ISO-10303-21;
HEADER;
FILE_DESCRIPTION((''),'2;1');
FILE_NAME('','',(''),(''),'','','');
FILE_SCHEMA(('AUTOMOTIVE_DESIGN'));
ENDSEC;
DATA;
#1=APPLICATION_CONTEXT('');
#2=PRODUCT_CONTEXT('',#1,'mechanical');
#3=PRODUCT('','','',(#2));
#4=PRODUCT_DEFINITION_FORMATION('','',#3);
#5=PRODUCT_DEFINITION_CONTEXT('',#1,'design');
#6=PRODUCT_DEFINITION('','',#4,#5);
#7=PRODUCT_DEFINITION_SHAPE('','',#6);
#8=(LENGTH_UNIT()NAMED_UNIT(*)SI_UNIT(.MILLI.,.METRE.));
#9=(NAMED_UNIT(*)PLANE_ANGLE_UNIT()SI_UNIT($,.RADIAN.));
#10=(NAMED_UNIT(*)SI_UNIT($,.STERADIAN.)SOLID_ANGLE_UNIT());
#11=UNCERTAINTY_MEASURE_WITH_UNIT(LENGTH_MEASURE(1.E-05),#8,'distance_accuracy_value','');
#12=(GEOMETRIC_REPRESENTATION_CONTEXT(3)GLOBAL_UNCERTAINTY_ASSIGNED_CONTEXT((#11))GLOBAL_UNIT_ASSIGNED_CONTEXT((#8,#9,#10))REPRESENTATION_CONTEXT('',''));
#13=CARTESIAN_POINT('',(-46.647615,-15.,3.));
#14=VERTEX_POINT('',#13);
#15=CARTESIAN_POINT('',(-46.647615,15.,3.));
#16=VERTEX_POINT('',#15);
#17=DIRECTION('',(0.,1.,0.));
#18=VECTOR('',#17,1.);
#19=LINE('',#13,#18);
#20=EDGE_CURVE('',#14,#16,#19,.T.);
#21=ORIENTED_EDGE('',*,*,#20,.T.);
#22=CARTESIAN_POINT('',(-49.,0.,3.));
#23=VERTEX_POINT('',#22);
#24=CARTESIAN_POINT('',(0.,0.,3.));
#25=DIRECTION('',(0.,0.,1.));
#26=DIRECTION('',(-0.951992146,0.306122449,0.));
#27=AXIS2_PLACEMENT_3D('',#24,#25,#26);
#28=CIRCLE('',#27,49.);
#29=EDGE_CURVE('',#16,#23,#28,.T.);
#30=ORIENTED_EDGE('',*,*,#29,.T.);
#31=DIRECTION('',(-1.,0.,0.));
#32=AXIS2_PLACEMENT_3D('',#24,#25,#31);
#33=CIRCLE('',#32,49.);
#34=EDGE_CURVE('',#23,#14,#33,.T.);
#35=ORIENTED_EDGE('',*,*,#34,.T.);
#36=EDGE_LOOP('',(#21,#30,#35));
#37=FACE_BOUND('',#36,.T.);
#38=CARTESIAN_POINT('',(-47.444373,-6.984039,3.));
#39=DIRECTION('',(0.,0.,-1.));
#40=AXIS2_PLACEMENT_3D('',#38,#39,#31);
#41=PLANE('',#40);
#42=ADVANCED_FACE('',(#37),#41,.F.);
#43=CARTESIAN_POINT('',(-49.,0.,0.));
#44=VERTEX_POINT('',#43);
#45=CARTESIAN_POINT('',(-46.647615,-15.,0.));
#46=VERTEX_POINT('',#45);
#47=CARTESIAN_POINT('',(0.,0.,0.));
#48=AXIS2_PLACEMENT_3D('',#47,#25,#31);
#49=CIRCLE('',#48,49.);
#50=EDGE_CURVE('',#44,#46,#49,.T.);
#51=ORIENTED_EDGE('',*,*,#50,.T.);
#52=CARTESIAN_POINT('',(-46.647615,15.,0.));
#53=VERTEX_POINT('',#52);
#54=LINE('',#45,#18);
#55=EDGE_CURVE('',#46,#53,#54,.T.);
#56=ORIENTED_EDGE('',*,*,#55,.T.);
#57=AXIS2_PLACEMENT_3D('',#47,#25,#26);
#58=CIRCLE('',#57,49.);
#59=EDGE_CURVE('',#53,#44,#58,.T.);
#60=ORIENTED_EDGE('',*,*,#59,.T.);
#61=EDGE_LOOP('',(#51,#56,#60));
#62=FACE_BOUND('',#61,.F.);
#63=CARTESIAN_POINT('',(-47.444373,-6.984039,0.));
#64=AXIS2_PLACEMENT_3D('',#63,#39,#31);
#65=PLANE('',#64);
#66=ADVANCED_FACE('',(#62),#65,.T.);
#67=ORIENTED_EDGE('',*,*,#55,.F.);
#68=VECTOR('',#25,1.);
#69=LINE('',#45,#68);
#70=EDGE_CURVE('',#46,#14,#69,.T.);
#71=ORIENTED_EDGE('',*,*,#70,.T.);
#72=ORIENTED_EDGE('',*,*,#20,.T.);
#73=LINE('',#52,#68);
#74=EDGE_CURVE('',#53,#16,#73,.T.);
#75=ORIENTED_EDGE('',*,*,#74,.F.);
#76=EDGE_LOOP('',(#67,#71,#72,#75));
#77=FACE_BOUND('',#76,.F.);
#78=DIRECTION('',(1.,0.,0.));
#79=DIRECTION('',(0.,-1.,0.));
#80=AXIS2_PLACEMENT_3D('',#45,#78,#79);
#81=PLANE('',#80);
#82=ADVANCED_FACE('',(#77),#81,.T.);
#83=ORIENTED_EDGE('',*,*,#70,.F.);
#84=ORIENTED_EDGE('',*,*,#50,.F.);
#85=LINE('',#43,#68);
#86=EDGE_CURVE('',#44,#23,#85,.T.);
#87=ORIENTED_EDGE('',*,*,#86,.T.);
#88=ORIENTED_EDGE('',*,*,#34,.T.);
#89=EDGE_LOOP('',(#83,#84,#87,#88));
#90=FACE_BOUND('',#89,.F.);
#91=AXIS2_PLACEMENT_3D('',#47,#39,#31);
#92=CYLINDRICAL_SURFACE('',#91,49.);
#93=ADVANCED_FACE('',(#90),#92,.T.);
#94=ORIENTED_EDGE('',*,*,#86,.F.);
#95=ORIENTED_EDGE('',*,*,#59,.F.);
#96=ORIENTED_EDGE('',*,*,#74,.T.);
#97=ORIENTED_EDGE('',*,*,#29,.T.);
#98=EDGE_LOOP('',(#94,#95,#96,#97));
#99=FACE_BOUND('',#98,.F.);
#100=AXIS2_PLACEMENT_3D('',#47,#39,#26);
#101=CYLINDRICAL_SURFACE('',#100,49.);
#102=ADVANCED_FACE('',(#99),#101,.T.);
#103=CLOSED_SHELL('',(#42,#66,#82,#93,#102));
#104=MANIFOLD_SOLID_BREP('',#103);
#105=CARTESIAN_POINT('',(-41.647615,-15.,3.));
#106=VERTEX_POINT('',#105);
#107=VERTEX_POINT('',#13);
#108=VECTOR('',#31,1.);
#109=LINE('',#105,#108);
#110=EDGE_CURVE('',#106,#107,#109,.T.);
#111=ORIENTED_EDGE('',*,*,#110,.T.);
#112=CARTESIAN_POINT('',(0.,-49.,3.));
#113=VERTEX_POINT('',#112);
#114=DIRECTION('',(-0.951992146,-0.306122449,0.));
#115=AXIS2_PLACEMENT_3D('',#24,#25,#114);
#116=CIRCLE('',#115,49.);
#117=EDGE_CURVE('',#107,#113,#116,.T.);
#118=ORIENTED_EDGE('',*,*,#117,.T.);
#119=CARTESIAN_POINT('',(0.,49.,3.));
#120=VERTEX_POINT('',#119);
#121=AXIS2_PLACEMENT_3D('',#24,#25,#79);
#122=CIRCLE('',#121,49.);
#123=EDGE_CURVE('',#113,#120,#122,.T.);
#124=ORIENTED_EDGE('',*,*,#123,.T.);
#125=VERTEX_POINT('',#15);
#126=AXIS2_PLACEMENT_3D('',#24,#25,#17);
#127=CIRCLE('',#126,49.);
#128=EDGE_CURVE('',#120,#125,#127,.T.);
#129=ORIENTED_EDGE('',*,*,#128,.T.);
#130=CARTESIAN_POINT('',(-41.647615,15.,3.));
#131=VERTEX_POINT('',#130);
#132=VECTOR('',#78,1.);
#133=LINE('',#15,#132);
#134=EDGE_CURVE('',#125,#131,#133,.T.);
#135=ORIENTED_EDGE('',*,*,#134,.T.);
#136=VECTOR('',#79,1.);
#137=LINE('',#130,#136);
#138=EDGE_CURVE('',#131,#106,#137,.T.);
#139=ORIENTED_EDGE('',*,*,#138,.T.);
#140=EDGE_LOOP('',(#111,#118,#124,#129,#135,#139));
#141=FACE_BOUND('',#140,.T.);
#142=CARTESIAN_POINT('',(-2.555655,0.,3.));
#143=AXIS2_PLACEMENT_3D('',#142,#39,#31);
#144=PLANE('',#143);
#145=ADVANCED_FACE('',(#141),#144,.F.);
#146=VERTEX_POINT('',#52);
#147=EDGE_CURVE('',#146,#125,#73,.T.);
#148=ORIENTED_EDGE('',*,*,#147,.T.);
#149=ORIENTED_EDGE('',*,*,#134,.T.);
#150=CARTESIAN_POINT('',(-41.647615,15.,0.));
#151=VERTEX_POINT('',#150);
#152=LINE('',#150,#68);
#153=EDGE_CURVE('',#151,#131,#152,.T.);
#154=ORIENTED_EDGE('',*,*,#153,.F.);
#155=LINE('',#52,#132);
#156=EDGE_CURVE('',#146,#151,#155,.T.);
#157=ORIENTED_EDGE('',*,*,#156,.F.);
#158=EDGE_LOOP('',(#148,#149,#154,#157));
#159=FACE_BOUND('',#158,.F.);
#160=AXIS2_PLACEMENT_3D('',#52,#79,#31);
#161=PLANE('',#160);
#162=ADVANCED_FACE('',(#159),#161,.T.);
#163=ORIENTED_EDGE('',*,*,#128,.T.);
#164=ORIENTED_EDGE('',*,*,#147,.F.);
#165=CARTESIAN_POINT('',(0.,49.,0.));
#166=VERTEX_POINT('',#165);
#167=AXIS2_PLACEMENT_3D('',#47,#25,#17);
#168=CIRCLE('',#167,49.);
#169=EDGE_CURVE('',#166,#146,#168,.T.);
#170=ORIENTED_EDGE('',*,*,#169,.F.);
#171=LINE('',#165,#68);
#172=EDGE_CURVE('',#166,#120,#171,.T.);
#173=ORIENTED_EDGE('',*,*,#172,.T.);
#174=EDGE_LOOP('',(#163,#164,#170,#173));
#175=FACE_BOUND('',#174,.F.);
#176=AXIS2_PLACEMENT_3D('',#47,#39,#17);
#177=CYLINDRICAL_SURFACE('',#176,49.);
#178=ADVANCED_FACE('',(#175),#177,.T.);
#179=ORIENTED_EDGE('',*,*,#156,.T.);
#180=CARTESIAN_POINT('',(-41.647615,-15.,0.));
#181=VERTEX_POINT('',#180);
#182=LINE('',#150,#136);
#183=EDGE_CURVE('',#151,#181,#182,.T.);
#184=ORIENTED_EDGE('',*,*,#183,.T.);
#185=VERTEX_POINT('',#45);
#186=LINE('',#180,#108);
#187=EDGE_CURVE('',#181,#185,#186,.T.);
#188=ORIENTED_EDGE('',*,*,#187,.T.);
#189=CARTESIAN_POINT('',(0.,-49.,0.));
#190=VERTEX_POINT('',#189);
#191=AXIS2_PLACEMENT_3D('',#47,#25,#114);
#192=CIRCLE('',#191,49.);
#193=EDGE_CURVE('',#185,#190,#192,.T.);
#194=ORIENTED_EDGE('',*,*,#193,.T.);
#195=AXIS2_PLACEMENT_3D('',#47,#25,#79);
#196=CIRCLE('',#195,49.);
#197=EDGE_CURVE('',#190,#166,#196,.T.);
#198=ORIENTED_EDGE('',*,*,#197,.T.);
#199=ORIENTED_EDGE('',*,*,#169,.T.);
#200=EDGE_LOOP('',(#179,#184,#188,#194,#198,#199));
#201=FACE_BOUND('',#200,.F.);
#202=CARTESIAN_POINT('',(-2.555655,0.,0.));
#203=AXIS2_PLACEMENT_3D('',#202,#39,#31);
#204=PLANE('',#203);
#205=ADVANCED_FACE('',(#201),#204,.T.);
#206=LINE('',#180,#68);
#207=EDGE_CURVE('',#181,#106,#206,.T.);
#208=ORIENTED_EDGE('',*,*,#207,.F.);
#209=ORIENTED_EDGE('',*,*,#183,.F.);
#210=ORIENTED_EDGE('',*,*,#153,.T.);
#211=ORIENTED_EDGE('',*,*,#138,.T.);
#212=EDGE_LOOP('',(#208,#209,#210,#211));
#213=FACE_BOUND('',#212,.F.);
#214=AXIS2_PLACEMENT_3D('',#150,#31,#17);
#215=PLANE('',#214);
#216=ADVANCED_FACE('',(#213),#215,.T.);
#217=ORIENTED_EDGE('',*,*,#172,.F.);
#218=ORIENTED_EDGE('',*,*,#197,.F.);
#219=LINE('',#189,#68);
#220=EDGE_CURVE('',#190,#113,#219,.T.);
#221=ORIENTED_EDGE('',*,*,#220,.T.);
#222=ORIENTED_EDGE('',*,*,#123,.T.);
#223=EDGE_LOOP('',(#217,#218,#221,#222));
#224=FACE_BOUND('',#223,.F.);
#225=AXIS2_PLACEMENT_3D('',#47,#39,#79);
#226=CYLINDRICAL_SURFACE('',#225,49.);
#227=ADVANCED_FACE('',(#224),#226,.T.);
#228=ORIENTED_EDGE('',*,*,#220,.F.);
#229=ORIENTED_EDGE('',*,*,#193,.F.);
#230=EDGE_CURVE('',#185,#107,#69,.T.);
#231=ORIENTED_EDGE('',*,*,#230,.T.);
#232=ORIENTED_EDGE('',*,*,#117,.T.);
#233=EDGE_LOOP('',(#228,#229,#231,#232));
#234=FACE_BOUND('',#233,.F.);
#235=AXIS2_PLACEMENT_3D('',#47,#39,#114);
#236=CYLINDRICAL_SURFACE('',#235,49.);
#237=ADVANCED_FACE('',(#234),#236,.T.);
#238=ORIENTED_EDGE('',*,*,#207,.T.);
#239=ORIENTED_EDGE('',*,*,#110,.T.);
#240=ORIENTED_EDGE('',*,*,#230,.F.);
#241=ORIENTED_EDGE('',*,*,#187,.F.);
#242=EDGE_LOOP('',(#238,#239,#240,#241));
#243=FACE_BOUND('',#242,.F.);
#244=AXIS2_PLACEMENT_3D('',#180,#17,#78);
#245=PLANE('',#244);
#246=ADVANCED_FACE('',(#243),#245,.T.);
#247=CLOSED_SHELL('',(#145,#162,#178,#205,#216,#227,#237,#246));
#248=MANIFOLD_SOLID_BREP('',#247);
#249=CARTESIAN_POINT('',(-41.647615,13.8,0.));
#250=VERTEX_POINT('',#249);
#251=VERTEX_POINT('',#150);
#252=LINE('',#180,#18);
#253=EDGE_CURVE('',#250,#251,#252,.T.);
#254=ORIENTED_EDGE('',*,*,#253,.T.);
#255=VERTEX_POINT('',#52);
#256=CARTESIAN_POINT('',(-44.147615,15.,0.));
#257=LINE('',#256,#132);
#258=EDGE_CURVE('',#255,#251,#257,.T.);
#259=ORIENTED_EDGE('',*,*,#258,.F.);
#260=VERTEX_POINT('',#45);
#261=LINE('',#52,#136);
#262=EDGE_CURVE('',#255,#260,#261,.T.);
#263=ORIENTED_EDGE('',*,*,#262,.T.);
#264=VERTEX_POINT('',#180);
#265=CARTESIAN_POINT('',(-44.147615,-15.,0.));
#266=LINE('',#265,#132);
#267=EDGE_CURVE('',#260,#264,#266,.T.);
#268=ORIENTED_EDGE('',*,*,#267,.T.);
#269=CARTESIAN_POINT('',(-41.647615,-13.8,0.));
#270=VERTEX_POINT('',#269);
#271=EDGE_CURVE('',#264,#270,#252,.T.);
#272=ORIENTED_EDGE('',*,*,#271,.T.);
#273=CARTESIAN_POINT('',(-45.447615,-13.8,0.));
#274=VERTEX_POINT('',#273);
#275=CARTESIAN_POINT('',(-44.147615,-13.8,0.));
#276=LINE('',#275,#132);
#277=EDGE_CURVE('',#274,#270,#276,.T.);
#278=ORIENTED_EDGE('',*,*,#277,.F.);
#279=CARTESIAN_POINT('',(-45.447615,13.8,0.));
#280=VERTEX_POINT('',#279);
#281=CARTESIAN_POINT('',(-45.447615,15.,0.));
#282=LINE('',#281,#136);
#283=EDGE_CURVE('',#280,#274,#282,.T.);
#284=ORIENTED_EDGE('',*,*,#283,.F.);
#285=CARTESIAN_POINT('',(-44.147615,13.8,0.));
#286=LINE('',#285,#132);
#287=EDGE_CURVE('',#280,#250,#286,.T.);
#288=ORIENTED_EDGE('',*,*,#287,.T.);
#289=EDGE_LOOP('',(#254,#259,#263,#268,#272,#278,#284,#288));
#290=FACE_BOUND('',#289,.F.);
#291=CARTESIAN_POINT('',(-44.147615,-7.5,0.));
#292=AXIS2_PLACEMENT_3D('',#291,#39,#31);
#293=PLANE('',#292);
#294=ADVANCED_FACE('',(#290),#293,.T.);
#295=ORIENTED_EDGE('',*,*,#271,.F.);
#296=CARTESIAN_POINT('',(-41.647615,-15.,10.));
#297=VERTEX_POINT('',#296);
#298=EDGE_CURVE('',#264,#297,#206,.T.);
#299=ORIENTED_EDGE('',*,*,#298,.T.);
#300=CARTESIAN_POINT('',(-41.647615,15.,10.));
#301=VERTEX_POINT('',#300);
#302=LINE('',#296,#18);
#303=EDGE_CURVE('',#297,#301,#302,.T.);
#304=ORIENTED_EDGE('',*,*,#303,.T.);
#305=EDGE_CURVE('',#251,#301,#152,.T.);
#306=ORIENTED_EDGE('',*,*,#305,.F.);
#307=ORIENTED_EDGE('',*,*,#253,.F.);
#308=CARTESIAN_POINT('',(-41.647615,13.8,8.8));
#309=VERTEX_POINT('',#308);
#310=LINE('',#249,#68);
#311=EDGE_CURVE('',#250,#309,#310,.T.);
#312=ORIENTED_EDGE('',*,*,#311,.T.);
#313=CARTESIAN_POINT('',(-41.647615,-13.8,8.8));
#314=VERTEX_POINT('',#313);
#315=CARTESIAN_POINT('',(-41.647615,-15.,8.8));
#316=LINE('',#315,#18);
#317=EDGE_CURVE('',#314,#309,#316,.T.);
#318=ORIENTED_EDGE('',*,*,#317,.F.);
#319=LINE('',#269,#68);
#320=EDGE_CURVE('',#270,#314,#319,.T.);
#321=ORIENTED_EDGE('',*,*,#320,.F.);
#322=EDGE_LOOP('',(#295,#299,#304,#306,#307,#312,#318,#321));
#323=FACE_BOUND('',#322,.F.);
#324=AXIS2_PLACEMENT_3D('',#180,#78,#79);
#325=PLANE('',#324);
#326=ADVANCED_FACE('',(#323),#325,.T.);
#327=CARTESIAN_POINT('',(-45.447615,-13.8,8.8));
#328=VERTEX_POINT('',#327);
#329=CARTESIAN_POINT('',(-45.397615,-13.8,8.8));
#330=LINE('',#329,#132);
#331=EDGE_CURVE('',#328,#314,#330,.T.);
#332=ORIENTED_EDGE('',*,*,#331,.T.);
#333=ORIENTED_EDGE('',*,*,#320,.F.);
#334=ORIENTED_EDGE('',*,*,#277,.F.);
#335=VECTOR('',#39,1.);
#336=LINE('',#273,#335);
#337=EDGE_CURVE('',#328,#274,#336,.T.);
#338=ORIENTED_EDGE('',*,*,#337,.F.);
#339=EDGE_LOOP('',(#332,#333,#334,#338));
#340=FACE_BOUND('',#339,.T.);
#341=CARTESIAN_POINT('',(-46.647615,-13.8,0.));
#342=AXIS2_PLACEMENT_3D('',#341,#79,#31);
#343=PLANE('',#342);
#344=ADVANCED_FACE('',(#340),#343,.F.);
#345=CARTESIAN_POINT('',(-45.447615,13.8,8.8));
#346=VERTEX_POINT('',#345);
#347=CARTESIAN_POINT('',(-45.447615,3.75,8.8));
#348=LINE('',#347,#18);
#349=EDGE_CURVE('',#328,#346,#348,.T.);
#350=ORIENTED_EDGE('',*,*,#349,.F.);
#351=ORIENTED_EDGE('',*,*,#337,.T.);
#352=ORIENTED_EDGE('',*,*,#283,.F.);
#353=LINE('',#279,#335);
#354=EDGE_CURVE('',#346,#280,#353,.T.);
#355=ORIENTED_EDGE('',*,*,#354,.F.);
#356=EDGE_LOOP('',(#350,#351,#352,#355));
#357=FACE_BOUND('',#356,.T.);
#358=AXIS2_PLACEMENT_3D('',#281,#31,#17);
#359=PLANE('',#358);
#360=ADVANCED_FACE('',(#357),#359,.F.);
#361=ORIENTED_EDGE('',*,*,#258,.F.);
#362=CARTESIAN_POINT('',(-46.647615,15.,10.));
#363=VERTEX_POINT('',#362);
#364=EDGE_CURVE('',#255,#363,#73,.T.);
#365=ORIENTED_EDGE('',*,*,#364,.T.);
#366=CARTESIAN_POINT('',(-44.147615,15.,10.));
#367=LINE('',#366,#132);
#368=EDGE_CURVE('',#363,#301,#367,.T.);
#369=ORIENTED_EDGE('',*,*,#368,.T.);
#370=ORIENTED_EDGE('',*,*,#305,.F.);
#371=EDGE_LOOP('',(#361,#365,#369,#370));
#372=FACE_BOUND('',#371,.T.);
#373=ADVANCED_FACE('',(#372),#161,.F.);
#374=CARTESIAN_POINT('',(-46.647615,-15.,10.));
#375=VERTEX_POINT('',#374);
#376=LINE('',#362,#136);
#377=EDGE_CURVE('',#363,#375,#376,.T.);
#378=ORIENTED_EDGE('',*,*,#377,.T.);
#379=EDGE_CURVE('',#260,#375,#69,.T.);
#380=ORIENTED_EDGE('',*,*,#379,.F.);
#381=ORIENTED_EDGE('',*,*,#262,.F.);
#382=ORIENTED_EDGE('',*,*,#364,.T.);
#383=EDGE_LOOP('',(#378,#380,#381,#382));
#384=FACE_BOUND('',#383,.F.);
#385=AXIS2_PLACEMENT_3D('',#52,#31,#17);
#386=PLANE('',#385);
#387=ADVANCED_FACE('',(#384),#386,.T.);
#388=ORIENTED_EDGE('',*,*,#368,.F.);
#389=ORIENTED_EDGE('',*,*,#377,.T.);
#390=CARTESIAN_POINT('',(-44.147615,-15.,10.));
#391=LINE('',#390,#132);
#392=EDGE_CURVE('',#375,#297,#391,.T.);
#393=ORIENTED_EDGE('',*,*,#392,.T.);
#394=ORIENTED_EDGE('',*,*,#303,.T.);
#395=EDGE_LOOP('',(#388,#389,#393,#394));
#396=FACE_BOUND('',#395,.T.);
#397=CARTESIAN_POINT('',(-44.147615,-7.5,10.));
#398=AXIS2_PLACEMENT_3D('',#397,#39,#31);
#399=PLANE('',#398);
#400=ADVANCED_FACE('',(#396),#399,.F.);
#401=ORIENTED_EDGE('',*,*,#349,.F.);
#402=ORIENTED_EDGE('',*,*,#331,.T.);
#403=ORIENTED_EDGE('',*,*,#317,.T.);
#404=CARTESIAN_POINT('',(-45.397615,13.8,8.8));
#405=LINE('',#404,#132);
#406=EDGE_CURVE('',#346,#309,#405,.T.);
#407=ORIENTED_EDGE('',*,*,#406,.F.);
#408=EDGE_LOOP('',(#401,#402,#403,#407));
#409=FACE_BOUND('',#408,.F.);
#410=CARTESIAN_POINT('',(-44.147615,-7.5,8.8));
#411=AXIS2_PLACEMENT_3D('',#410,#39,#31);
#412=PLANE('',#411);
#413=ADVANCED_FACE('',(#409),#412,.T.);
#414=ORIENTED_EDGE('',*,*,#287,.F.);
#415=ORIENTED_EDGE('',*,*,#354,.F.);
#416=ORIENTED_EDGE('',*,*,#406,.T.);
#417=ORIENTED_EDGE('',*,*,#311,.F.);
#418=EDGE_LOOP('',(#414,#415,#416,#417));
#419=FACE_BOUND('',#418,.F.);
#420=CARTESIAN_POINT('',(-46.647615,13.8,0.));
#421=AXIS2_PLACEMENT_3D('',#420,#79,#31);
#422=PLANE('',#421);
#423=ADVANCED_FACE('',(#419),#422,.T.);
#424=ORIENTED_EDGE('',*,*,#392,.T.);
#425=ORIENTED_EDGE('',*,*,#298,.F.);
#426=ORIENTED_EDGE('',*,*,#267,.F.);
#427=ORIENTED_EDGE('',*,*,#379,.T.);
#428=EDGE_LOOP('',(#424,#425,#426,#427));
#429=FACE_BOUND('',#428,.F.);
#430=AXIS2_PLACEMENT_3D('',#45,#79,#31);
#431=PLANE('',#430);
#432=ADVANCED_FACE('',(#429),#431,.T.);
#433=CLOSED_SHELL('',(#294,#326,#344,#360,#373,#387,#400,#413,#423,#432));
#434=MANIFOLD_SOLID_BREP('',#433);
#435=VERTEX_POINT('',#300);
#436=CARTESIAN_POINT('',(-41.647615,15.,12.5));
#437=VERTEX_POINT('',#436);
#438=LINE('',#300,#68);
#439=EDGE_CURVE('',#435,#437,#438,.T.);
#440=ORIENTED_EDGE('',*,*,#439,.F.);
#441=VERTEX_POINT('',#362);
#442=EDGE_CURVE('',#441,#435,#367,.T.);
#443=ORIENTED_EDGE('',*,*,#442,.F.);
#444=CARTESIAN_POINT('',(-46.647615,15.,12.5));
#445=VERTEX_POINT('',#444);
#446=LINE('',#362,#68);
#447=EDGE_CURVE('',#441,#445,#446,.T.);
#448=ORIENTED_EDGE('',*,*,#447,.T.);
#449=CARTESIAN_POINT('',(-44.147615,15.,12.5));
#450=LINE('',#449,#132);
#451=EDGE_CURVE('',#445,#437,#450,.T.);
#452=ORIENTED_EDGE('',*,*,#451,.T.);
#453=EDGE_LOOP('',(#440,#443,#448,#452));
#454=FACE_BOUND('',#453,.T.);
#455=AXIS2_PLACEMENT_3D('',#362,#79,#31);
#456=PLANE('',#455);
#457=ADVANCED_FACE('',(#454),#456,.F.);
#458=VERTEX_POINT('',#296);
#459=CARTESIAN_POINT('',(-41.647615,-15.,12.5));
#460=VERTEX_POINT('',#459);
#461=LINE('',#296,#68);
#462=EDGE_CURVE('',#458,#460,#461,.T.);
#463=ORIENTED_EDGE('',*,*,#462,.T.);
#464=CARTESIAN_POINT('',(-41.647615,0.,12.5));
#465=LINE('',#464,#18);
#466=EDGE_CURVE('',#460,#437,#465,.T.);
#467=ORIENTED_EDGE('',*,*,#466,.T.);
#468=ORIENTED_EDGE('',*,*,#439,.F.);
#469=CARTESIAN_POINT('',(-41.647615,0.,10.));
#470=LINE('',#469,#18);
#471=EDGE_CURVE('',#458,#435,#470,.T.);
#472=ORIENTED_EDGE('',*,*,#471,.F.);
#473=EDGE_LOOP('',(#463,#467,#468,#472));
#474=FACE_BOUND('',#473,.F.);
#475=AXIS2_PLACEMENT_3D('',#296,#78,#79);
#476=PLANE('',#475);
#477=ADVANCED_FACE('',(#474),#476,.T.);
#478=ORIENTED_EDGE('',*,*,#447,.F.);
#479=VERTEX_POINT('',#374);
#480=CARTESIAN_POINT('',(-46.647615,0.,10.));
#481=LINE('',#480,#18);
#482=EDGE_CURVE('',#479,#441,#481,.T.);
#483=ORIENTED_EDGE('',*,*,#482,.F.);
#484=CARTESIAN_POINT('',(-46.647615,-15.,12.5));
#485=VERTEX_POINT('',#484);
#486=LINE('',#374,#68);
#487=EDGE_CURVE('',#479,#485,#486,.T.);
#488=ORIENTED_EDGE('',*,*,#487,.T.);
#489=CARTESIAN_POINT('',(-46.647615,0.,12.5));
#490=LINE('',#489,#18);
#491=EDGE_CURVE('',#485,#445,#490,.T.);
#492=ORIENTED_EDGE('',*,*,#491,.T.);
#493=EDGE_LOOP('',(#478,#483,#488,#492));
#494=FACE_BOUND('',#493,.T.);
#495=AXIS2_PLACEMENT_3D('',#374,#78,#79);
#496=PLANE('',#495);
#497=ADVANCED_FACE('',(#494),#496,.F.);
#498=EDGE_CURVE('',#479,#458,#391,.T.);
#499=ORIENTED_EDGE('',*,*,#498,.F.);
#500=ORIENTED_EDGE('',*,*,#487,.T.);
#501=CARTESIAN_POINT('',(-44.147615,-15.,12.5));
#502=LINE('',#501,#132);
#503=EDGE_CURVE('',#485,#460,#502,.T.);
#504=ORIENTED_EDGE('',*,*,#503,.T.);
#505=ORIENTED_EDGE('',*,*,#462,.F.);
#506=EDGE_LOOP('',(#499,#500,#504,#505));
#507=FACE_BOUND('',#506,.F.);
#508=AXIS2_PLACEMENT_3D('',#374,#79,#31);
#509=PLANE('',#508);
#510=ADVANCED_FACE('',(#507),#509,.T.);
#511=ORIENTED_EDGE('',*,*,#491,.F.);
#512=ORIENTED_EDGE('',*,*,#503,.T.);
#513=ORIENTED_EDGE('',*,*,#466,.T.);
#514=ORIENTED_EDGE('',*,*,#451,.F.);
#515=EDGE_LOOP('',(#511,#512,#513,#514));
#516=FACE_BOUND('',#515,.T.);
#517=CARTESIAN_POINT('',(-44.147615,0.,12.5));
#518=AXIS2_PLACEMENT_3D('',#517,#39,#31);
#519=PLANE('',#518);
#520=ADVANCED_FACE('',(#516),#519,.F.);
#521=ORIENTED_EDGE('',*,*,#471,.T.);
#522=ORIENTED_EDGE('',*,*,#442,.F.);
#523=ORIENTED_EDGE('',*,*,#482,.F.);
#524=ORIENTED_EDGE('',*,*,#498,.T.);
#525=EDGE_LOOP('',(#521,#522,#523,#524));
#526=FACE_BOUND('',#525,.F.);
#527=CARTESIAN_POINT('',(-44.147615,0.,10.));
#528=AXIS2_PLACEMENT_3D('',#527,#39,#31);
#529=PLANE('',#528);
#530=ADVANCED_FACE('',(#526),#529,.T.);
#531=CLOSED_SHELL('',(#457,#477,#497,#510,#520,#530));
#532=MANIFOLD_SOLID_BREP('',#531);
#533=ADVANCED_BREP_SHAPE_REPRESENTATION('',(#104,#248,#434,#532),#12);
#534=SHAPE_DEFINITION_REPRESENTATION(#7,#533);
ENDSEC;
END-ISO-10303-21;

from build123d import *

# Parameters (mm, degrees)
F1_DEPTH = 3
F0_W     = 5
F0_H     = 15
F2_DEPTH = 10
F4_W     = 5
F4_H     = 30
F5_DEPTH = 2.5
F9_T     = -1.2


with BuildPart() as f1:
    # F0 (on Top) → F1 (new body)
    with BuildSketch(Plane.XY):
        with BuildLine():
            Line((-41.6476151588, 15), (-41.6476151588, 0))
            Line((-41.6476151588, 0), (-41.6476151588, -15))
            Line((-41.6476151588, -15), (-46.6476151588, -15))
            ThreePointArc((-46.6476151588, -15), (-28.8617393793, -39.5979797464), (0, -49))
            ThreePointArc((0, -49), (49, 0), (0, 49))
            ThreePointArc((0, 49), (-28.8617393793, 39.5979797464), (-46.6476151588, 15))
            Line((-46.6476151588, 15), (-41.6476151588, 15))
        make_face()
    extrude(amount=-F1_DEPTH)


with BuildPart() as f1b:
    # F0 (on Top) → F1, piece 2 (new body)
    with BuildSketch(Plane.XY):
        with BuildLine():
            Line((-46.6476151588, -15), (-46.6476151588, 0))
            Line((-46.6476151588, 0), (-49, 0))
            ThreePointArc((-49, 0), (-48.408331632, -7.591668368), (-46.6476151588, -15))
        make_face()
        with BuildLine():
            Line((-49, 0), (-46.6476151588, 0))
            Line((-46.6476151588, 0), (-46.6476151588, 15))
            ThreePointArc((-46.6476151588, 15), (-48.408331632, 7.591668368), (-49, 0))
        make_face()
    extrude(amount=-F1_DEPTH)


with BuildPart() as f2:
    # F0 (on Top) → F2 (new body)
    with BuildSketch(Plane.XY):
        with Locations((-44.1476151588, -7.5)):
            Rectangle(F0_W, F0_H)
        with Locations((-44.1476151588, 7.5)):
            Rectangle(F0_W, F0_H)
    extrude(amount=-F2_DEPTH)


with BuildPart() as f5:
    # F4 (on offset) → F5 (new body)
    with BuildSketch(Plane.XY.offset(-10)):
        with Locations((-44.1476151588, 0)):
            Rectangle(F4_W, F4_H)
    extrude(amount=-F5_DEPTH)


with BuildPart() as f6_1:
    # F6: instance of F1
    add(f1.part.mirror(Plane.XY))


with BuildPart() as f6_2:
    # F6: instance of F1b
    add(f1b.part.mirror(Plane.XY))


with BuildPart() as f6_3:
    # F6: instance of F5
    add(f5.part.mirror(Plane.XY))


with BuildPart() as f6_4:
    # F6: instance of F2
    add(f2.part.mirror(Plane.XY))

    # F9
    f9_openings = [f6_4.faces().sort_by_distance(p)[0] for p in [
        (-41.647615, 0, 5),
        (-44.147615, 0, 0),
    ]]
    offset(amount=F9_T, openings=f9_openings)


solid = Compound([f6_1.part, f6_2.part, f6_3.part, f6_4.part])
